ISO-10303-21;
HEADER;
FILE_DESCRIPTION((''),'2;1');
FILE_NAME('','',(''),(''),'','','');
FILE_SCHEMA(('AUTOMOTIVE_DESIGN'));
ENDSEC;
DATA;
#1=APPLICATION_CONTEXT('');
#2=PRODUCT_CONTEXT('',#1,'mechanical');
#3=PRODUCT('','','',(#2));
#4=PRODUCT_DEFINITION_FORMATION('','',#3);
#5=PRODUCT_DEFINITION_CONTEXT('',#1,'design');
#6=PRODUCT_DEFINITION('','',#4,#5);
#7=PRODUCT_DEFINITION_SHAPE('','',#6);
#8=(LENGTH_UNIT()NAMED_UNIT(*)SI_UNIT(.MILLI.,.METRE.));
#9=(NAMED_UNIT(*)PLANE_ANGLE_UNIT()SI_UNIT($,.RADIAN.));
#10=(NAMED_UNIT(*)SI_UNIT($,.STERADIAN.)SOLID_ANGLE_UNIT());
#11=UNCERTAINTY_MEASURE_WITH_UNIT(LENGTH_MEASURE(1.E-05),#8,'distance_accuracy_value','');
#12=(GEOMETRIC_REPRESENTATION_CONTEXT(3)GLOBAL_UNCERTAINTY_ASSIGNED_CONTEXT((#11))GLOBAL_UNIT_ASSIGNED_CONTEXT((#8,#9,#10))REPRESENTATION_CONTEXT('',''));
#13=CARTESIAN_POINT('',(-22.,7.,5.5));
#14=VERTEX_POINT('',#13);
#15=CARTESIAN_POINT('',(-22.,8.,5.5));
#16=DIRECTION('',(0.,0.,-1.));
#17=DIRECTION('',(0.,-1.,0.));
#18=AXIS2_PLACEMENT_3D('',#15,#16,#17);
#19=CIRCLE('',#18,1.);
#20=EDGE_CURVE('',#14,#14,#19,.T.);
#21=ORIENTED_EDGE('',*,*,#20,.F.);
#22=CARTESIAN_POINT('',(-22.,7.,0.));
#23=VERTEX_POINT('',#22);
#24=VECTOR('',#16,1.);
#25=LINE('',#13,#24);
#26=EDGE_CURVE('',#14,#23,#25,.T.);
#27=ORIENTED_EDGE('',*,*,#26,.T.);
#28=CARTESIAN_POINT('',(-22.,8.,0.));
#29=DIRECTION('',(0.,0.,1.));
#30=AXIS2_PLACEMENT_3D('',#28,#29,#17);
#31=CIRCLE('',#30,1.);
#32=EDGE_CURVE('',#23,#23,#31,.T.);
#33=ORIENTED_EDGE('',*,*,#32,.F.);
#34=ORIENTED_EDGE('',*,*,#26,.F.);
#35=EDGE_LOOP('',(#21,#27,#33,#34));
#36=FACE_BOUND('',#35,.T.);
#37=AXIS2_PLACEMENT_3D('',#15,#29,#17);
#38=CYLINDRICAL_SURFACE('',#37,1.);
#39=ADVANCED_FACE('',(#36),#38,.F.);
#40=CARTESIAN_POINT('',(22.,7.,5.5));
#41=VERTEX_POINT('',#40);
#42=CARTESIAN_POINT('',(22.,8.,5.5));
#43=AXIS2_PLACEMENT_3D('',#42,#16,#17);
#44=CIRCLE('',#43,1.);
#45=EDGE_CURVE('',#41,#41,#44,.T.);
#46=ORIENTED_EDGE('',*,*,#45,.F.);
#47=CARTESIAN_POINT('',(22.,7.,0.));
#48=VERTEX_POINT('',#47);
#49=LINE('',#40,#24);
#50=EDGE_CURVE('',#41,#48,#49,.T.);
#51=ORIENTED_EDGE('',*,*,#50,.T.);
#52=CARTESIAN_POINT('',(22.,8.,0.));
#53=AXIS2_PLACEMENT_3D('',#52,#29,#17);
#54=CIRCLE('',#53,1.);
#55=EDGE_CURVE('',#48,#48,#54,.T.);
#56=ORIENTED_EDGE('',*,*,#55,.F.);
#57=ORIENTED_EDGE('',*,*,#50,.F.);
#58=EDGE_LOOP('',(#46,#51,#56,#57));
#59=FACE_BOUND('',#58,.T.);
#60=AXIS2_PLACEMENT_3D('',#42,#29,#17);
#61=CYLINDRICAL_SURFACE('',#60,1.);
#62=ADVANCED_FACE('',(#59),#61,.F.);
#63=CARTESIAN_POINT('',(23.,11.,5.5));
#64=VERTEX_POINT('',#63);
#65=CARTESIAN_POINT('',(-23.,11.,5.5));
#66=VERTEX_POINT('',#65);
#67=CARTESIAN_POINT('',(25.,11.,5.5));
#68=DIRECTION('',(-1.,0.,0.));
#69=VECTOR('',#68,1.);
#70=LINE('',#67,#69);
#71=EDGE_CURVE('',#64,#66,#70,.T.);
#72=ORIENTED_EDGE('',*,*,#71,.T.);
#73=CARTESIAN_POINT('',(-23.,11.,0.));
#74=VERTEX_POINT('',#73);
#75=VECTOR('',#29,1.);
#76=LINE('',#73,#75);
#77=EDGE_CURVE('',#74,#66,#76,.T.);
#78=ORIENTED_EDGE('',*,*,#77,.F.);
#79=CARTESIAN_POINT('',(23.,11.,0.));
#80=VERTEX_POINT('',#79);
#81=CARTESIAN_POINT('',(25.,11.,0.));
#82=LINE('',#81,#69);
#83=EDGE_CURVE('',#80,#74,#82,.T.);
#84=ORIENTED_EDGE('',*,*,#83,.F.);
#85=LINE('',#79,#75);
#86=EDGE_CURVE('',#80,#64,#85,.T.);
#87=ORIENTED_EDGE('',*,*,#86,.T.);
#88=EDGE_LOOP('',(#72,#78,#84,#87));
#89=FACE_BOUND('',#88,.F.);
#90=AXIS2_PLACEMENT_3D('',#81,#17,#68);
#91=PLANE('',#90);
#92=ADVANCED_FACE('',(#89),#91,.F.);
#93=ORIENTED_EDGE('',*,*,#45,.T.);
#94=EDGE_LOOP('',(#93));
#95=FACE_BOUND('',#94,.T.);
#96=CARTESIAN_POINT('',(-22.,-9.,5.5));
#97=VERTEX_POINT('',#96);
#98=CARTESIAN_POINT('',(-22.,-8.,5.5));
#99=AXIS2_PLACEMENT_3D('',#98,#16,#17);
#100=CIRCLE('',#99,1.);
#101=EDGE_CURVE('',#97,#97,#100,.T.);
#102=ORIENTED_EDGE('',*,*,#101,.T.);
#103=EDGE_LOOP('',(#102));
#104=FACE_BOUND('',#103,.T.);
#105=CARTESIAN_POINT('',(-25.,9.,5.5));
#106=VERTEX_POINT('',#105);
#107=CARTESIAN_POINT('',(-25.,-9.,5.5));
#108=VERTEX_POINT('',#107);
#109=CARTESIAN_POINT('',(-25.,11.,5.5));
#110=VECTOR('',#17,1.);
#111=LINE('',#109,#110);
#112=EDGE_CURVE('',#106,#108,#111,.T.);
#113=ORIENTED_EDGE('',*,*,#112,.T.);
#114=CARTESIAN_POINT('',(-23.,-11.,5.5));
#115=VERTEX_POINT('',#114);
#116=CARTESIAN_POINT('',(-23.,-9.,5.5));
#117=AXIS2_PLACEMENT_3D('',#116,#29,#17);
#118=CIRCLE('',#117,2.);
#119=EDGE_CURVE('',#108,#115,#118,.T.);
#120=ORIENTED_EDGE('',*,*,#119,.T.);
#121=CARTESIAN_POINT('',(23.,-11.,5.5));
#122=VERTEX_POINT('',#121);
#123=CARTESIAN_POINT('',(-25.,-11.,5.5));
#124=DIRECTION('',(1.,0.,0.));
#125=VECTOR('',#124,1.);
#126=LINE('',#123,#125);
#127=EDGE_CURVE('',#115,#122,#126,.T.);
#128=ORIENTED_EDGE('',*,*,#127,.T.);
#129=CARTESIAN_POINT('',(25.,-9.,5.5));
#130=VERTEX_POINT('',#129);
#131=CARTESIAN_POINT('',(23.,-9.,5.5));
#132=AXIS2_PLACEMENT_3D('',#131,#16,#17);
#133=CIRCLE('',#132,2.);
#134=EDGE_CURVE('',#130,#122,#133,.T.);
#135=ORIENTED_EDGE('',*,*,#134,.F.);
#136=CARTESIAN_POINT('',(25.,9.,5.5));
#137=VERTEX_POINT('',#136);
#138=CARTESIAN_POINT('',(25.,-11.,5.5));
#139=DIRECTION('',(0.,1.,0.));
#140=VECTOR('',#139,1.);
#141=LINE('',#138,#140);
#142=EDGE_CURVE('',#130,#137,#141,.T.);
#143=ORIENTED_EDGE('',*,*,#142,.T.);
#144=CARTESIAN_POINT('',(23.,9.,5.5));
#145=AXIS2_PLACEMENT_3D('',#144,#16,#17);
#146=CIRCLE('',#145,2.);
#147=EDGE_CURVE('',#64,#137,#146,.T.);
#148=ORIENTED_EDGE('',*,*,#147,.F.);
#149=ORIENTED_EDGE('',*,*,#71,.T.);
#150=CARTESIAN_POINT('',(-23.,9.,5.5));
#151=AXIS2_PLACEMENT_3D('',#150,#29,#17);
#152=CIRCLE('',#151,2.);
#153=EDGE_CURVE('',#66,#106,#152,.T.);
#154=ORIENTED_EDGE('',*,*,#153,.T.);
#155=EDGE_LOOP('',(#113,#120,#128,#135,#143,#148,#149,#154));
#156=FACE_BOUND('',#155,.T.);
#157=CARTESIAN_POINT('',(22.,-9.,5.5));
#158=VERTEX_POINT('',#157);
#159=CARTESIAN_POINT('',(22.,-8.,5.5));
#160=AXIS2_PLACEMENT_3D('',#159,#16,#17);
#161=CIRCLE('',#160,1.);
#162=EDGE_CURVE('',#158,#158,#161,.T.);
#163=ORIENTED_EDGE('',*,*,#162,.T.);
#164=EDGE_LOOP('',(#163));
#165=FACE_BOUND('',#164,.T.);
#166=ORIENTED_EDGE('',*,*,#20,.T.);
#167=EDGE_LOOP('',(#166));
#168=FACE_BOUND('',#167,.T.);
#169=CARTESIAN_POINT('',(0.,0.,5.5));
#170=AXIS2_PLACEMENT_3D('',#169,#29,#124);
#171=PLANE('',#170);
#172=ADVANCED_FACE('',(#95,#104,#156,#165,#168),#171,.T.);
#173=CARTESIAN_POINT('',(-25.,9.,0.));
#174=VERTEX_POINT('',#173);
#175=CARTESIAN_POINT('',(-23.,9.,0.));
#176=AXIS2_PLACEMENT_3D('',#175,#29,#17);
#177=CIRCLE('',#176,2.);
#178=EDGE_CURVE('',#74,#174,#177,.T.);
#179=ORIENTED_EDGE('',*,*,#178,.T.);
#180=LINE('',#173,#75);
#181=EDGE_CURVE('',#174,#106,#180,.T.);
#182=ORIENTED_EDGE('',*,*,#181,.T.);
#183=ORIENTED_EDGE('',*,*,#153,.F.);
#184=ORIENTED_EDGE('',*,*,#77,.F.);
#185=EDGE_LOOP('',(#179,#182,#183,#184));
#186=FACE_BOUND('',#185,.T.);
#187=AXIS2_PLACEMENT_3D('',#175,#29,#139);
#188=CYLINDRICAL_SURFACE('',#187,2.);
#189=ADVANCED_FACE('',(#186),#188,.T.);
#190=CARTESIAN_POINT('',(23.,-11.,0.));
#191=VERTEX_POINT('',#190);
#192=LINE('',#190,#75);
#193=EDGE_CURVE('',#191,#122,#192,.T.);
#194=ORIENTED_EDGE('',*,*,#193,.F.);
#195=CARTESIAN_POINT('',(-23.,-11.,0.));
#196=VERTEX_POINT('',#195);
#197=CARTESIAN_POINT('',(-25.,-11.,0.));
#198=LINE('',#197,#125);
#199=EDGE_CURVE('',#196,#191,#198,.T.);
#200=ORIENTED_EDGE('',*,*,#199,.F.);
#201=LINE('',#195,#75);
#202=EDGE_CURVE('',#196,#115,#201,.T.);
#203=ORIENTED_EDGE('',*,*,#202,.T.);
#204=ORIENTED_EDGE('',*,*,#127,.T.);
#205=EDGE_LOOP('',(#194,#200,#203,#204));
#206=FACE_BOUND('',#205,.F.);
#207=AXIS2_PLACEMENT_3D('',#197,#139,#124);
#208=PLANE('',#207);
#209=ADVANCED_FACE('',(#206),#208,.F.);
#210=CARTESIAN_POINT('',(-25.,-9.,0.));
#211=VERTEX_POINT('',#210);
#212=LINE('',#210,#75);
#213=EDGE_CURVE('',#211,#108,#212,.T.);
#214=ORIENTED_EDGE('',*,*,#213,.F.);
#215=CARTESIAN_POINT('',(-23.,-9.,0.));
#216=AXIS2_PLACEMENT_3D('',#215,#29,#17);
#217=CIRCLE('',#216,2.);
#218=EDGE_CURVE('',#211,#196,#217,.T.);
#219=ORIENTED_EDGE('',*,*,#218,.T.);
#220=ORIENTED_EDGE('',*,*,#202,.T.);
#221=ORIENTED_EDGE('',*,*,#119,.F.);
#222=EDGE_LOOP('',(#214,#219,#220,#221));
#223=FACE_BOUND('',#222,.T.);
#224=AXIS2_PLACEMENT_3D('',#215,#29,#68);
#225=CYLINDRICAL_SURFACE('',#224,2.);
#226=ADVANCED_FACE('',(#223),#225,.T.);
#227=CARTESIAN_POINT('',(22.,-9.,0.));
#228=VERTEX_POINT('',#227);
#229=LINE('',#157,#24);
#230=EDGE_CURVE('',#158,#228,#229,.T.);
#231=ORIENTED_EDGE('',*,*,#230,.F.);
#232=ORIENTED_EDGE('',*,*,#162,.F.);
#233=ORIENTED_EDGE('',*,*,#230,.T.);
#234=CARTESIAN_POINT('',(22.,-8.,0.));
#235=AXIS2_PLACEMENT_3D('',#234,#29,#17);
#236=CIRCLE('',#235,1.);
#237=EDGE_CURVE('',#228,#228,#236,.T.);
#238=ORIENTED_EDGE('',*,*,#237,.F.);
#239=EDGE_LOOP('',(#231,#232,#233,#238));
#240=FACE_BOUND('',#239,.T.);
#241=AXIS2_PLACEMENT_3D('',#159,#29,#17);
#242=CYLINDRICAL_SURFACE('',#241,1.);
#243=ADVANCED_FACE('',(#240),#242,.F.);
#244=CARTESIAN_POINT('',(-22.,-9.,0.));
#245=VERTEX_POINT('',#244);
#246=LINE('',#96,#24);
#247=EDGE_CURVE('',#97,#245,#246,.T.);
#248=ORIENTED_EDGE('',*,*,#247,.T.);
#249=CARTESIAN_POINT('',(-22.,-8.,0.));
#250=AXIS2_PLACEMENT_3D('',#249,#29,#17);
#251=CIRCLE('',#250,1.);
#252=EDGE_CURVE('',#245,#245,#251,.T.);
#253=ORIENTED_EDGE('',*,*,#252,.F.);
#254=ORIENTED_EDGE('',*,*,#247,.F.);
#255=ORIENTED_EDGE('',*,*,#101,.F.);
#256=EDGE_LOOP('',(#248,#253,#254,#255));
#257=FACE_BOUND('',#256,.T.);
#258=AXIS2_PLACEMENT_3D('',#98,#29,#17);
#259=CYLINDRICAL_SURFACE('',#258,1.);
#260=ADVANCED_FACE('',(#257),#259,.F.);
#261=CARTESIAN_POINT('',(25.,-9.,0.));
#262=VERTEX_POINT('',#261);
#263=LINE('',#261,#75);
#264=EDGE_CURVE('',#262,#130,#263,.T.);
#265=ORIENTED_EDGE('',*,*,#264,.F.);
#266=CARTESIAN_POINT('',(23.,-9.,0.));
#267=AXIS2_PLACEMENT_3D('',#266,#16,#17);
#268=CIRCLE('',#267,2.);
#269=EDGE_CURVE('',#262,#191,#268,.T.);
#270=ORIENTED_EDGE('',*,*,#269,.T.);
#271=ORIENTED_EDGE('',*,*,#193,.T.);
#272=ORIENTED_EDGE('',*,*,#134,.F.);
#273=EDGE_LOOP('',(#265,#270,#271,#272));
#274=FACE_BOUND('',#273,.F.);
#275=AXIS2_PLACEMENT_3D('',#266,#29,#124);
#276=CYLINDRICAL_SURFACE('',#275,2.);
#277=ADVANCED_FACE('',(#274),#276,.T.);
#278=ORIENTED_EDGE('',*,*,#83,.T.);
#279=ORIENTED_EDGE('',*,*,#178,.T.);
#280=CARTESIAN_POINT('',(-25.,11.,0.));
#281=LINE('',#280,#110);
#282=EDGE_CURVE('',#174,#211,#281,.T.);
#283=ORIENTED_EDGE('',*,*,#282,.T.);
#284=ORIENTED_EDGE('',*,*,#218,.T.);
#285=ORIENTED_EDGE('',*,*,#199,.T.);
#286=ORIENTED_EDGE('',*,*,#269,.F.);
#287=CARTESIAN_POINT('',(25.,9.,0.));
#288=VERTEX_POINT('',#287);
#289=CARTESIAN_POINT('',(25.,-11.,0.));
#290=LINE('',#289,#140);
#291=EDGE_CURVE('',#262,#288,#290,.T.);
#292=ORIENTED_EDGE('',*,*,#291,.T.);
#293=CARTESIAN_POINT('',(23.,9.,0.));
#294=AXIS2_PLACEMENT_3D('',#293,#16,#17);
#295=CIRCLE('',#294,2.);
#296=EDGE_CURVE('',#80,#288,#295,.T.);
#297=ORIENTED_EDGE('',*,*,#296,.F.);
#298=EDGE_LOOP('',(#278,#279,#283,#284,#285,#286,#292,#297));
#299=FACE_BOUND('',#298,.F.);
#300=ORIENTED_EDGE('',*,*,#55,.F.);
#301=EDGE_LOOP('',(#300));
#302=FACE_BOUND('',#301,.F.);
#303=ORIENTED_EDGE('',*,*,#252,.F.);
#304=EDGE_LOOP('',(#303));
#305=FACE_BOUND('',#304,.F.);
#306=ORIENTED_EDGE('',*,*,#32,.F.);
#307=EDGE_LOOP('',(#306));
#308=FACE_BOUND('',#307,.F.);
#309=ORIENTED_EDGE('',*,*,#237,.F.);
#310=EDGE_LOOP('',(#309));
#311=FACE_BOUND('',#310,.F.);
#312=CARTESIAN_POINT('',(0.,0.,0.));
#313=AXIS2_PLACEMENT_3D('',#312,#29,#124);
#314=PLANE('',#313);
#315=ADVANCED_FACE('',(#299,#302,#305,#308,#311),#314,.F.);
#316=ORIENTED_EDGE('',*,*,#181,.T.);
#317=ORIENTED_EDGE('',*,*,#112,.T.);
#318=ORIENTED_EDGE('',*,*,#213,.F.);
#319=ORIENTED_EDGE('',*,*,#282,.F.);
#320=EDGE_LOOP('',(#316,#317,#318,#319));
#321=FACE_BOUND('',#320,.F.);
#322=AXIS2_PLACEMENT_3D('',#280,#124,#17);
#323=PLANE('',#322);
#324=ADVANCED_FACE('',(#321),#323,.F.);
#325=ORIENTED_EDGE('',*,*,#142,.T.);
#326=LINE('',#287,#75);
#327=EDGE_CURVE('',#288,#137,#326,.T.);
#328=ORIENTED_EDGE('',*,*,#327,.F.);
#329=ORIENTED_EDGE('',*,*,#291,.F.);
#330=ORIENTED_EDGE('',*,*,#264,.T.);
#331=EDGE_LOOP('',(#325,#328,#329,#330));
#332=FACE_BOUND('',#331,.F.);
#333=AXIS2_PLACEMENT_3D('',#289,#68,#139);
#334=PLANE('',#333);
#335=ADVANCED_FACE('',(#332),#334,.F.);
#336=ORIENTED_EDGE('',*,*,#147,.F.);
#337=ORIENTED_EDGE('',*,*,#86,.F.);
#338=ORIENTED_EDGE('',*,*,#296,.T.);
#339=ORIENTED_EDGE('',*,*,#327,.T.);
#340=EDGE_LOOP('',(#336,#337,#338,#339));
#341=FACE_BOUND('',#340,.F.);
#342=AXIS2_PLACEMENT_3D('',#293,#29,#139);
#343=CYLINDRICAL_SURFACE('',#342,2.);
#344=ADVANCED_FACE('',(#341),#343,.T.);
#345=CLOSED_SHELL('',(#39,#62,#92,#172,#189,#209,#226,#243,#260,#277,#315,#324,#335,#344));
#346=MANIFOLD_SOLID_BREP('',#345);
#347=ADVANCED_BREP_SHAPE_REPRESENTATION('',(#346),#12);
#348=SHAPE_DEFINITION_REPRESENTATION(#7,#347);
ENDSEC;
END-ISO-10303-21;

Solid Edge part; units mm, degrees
sketch "Sketch1" plane through (0, 0, 0) normal (0, 0, 1) x (1, 0, 0)
  line L0 (25, 11) -> (-25, 11)
  line L1 (-25, 11) -> (-25, -11)
  line L2 (-25, -11) -> (25, -11)
  line L3 (25, -11) -> (25, 11)
  dimension "D1" = 50
  dimension "D2" = 22
extrude "Protrusion1" add sketch "Sketch1" along normal blind 5.5
hole "Hole_1" at (-22, 8, 5.5) direction (0, 0, -1) diameter 2 end through all
hole "Hole1" at (-22, -8, 5.5) direction (0, 0, -1) diameter 2 end through all
hole "Hole2" at (22, -8, 5.5) direction (0, 0, -1) diameter 2 end through all
hole "Hole3" at (22, 8, 5.5) direction (0, 0, -1) diameter 2 end through all
fillet "Round_1" radius 2 4 edges at (-25, 11, 2.75) (-25, -11, 2.75) (25, -11, 2.75) (25, 11, 2.75)
properties material "木材, アッシュ"
